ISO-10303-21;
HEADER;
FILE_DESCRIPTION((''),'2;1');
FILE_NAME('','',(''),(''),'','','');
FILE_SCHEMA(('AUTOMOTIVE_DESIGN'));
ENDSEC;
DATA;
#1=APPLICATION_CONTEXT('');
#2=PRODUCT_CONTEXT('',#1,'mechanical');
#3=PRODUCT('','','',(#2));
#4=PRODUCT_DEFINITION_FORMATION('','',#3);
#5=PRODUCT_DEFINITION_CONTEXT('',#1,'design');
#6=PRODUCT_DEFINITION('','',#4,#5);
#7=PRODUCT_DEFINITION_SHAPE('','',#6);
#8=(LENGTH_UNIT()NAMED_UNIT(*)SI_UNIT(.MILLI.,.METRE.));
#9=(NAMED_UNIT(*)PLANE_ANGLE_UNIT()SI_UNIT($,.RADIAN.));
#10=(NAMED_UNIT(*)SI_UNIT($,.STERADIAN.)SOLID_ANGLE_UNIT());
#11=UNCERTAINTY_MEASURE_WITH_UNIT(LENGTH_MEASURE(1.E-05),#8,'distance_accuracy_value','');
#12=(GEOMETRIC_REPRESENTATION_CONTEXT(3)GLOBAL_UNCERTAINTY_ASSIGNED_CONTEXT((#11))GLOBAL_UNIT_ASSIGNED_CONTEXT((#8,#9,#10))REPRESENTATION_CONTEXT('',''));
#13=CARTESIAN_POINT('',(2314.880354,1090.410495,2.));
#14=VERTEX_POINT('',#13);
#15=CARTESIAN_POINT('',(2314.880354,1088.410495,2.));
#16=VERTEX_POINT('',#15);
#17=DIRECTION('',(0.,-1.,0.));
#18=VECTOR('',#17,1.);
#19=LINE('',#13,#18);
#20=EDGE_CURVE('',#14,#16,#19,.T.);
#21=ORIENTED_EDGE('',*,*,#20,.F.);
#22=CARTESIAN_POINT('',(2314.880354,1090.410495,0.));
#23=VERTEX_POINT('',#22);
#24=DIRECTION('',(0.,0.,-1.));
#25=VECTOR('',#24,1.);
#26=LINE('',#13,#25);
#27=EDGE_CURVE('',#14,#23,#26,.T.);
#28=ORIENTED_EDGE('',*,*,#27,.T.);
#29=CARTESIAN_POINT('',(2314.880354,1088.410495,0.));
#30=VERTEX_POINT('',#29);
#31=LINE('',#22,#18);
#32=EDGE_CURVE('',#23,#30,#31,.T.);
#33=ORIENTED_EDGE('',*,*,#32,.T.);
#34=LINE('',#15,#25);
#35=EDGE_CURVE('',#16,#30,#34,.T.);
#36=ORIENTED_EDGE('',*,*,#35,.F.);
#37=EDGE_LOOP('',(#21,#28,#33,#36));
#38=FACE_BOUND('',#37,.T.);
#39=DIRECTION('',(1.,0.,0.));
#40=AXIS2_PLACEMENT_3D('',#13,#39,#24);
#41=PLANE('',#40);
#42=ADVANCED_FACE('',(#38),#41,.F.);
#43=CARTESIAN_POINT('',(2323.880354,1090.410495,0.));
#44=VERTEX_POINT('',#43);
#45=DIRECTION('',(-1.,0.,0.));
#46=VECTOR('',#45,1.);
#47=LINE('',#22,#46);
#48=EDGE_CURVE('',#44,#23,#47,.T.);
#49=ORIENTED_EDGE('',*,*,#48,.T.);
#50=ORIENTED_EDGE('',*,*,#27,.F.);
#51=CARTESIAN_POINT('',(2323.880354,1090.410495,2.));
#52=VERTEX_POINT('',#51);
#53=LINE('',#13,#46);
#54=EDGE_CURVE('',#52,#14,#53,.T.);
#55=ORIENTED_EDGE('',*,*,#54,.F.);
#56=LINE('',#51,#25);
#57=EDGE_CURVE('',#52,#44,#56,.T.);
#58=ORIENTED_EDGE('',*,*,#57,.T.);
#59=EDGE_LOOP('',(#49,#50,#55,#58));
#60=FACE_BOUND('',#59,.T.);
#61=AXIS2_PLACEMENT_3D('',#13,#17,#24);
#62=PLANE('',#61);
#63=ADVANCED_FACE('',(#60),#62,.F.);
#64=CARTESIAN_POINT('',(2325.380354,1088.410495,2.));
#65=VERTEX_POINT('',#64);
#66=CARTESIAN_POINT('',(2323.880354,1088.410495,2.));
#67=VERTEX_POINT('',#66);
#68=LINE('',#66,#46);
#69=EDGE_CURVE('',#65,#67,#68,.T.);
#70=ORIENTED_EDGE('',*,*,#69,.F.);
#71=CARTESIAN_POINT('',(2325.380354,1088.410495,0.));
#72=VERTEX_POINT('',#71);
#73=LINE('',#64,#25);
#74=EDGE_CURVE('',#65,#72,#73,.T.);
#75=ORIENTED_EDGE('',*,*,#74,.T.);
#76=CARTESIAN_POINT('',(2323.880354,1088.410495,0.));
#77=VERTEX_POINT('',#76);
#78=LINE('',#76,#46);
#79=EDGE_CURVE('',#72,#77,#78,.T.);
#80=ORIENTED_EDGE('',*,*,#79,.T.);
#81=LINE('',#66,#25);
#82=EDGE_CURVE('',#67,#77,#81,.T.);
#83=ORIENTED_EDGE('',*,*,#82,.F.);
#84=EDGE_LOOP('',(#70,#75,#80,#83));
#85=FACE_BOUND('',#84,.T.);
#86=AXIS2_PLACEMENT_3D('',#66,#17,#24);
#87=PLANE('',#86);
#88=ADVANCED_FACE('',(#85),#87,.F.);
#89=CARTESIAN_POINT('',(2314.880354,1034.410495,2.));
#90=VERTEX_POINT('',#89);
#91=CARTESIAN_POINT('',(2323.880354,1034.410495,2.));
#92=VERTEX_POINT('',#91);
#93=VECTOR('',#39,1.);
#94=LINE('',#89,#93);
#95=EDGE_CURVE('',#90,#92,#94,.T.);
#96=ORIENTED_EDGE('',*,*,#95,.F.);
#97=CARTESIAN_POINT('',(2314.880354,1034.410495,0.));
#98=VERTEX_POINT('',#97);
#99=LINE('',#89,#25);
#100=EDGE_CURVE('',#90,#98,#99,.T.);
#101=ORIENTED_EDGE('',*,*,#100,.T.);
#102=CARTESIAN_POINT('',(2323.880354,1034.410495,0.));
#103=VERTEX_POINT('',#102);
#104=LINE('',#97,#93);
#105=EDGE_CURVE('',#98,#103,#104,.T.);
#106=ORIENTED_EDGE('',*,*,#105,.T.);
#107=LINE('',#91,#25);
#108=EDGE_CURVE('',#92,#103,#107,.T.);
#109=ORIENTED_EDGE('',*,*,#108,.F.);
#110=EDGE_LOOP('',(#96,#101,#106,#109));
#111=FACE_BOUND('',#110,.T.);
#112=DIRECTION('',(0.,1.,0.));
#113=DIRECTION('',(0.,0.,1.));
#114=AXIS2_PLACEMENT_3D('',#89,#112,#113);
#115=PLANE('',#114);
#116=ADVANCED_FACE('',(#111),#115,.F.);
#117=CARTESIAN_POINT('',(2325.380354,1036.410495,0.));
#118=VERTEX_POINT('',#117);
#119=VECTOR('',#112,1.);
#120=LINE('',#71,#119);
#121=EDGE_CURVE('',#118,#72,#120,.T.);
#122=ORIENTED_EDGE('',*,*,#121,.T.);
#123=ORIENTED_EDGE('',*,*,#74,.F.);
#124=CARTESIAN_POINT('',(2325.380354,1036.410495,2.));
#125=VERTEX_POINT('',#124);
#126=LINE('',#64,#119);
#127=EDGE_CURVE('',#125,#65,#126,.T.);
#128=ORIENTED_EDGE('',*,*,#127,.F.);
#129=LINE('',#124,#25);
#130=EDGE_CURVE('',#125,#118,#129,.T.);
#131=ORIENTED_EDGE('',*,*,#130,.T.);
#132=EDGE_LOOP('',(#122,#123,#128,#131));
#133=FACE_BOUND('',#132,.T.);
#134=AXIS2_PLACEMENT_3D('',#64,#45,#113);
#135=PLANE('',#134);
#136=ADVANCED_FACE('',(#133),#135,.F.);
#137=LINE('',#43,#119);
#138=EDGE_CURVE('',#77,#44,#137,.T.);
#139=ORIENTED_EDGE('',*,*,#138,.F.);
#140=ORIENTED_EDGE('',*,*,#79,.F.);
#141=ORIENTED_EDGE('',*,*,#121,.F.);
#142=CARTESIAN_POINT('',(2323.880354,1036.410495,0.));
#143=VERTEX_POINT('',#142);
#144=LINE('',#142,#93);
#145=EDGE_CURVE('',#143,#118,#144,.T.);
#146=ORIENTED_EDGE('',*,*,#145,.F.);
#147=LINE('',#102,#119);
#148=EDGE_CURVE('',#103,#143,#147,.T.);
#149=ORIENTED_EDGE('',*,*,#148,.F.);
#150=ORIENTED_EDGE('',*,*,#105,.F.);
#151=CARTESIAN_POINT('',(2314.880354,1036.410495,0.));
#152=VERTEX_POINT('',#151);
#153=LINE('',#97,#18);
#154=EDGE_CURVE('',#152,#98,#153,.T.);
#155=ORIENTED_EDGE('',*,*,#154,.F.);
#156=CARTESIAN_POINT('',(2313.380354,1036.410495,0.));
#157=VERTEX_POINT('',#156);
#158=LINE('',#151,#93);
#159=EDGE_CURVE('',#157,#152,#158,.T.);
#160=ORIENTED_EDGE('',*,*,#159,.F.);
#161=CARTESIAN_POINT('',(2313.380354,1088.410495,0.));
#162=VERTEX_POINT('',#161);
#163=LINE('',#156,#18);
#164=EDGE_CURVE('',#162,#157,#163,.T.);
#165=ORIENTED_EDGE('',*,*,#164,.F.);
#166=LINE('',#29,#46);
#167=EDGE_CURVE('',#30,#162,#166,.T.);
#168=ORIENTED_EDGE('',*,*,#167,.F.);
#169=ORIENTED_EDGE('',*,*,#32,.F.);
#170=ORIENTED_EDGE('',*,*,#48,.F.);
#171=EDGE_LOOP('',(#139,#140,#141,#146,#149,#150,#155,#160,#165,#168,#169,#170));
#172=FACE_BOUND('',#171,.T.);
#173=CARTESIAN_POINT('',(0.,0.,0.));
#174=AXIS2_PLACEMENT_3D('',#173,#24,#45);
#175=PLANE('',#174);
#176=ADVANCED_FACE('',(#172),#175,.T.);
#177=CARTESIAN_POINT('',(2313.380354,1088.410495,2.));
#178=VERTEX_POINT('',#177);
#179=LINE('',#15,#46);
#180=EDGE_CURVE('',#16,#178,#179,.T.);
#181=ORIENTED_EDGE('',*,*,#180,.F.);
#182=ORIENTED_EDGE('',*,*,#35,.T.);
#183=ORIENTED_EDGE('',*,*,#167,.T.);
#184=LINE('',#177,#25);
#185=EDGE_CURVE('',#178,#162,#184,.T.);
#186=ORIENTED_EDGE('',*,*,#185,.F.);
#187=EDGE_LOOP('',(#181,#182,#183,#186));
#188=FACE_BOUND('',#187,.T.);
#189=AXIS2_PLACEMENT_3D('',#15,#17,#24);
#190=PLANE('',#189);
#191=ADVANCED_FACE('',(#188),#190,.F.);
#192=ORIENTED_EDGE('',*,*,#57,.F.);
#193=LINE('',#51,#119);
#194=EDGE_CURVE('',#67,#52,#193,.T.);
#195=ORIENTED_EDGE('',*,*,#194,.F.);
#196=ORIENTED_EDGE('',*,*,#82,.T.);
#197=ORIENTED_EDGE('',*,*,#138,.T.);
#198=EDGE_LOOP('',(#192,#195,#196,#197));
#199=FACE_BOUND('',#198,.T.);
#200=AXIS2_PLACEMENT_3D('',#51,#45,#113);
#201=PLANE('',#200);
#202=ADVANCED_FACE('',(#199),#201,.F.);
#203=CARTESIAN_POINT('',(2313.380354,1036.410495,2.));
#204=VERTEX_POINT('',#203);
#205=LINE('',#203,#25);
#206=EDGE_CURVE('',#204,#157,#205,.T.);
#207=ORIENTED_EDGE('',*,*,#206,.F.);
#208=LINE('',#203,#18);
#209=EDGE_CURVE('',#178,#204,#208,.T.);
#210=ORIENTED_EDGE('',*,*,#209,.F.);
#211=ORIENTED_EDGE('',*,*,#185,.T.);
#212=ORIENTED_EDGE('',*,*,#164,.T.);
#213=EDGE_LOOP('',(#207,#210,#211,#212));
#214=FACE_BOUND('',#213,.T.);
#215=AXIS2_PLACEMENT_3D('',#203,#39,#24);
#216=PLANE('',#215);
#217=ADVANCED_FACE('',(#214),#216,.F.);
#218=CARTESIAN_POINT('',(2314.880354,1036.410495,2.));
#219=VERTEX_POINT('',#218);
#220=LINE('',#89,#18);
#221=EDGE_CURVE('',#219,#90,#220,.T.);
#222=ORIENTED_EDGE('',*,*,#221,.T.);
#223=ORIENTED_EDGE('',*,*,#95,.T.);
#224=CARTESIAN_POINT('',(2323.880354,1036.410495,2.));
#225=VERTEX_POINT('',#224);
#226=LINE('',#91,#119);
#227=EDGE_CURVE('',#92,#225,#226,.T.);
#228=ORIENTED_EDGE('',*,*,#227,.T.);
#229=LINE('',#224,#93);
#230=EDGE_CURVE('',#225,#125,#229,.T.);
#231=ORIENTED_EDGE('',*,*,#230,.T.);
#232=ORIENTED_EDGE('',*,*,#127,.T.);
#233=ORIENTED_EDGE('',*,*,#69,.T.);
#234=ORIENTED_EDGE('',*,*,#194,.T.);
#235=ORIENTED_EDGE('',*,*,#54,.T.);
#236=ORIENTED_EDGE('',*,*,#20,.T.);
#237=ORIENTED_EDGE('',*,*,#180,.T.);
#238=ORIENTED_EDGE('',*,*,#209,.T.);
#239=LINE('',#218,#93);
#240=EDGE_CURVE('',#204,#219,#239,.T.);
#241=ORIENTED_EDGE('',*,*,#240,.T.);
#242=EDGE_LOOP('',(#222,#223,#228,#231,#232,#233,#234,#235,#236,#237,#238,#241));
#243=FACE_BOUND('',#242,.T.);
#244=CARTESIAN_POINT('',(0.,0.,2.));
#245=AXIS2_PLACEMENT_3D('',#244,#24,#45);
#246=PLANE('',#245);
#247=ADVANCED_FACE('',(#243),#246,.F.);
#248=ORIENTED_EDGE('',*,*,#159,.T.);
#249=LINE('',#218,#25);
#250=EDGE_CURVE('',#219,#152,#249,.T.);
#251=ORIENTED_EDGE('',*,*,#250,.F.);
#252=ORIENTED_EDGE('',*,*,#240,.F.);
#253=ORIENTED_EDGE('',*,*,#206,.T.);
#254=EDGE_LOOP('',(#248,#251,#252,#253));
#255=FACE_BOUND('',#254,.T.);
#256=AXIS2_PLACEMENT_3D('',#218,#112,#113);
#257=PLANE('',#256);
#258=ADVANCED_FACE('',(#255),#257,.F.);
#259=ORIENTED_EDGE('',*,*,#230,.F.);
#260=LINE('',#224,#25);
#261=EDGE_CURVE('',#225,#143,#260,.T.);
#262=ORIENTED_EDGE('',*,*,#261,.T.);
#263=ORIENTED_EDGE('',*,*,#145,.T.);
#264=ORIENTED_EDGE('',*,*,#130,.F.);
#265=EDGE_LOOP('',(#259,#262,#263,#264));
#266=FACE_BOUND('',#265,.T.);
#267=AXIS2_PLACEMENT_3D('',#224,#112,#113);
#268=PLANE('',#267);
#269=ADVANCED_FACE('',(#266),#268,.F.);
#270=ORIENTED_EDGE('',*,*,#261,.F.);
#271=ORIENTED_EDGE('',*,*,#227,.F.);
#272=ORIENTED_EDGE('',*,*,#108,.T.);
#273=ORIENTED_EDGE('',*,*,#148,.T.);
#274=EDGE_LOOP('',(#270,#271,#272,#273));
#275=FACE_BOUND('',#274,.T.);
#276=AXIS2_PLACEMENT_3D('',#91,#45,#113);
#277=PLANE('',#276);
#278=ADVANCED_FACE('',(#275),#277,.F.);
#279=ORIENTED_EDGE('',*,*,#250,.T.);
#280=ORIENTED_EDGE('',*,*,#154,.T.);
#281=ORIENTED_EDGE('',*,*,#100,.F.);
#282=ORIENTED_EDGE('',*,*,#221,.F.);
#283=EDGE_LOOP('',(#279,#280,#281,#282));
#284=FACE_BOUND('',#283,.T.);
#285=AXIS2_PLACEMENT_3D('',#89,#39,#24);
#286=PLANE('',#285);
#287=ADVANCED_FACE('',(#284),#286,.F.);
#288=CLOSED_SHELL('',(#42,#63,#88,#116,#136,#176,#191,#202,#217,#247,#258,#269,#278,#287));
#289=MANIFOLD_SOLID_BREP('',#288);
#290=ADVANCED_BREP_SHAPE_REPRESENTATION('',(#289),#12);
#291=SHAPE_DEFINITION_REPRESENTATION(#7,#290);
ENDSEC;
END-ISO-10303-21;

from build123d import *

# Parameters (mm, degrees)
EXTRUDE_1_DEPTH = 2


with BuildPart() as part:
    # 草图1 → 凸台-拉伸1 (new body)
    with BuildSketch(Plane.XY):
        Polygon((2314.880354297, 1090.41049495), (2314.880354297, 1088.41049495), (2313.380354297, 1088.41049495), (2313.380354297, 1036.41049495), (2314.880354297, 1036.41049495), (2314.880354297, 1034.41049495), (2323.880354297, 1034.41049495), (2323.880354297, 1036.41049495), (2325.380354297, 1036.41049495), (2325.380354297, 1088.41049495), (2323.880354297, 1088.41049495), (2323.880354297, 1090.41049495), align=None)
    extrude(amount=EXTRUDE_1_DEPTH)


solid = part.part
